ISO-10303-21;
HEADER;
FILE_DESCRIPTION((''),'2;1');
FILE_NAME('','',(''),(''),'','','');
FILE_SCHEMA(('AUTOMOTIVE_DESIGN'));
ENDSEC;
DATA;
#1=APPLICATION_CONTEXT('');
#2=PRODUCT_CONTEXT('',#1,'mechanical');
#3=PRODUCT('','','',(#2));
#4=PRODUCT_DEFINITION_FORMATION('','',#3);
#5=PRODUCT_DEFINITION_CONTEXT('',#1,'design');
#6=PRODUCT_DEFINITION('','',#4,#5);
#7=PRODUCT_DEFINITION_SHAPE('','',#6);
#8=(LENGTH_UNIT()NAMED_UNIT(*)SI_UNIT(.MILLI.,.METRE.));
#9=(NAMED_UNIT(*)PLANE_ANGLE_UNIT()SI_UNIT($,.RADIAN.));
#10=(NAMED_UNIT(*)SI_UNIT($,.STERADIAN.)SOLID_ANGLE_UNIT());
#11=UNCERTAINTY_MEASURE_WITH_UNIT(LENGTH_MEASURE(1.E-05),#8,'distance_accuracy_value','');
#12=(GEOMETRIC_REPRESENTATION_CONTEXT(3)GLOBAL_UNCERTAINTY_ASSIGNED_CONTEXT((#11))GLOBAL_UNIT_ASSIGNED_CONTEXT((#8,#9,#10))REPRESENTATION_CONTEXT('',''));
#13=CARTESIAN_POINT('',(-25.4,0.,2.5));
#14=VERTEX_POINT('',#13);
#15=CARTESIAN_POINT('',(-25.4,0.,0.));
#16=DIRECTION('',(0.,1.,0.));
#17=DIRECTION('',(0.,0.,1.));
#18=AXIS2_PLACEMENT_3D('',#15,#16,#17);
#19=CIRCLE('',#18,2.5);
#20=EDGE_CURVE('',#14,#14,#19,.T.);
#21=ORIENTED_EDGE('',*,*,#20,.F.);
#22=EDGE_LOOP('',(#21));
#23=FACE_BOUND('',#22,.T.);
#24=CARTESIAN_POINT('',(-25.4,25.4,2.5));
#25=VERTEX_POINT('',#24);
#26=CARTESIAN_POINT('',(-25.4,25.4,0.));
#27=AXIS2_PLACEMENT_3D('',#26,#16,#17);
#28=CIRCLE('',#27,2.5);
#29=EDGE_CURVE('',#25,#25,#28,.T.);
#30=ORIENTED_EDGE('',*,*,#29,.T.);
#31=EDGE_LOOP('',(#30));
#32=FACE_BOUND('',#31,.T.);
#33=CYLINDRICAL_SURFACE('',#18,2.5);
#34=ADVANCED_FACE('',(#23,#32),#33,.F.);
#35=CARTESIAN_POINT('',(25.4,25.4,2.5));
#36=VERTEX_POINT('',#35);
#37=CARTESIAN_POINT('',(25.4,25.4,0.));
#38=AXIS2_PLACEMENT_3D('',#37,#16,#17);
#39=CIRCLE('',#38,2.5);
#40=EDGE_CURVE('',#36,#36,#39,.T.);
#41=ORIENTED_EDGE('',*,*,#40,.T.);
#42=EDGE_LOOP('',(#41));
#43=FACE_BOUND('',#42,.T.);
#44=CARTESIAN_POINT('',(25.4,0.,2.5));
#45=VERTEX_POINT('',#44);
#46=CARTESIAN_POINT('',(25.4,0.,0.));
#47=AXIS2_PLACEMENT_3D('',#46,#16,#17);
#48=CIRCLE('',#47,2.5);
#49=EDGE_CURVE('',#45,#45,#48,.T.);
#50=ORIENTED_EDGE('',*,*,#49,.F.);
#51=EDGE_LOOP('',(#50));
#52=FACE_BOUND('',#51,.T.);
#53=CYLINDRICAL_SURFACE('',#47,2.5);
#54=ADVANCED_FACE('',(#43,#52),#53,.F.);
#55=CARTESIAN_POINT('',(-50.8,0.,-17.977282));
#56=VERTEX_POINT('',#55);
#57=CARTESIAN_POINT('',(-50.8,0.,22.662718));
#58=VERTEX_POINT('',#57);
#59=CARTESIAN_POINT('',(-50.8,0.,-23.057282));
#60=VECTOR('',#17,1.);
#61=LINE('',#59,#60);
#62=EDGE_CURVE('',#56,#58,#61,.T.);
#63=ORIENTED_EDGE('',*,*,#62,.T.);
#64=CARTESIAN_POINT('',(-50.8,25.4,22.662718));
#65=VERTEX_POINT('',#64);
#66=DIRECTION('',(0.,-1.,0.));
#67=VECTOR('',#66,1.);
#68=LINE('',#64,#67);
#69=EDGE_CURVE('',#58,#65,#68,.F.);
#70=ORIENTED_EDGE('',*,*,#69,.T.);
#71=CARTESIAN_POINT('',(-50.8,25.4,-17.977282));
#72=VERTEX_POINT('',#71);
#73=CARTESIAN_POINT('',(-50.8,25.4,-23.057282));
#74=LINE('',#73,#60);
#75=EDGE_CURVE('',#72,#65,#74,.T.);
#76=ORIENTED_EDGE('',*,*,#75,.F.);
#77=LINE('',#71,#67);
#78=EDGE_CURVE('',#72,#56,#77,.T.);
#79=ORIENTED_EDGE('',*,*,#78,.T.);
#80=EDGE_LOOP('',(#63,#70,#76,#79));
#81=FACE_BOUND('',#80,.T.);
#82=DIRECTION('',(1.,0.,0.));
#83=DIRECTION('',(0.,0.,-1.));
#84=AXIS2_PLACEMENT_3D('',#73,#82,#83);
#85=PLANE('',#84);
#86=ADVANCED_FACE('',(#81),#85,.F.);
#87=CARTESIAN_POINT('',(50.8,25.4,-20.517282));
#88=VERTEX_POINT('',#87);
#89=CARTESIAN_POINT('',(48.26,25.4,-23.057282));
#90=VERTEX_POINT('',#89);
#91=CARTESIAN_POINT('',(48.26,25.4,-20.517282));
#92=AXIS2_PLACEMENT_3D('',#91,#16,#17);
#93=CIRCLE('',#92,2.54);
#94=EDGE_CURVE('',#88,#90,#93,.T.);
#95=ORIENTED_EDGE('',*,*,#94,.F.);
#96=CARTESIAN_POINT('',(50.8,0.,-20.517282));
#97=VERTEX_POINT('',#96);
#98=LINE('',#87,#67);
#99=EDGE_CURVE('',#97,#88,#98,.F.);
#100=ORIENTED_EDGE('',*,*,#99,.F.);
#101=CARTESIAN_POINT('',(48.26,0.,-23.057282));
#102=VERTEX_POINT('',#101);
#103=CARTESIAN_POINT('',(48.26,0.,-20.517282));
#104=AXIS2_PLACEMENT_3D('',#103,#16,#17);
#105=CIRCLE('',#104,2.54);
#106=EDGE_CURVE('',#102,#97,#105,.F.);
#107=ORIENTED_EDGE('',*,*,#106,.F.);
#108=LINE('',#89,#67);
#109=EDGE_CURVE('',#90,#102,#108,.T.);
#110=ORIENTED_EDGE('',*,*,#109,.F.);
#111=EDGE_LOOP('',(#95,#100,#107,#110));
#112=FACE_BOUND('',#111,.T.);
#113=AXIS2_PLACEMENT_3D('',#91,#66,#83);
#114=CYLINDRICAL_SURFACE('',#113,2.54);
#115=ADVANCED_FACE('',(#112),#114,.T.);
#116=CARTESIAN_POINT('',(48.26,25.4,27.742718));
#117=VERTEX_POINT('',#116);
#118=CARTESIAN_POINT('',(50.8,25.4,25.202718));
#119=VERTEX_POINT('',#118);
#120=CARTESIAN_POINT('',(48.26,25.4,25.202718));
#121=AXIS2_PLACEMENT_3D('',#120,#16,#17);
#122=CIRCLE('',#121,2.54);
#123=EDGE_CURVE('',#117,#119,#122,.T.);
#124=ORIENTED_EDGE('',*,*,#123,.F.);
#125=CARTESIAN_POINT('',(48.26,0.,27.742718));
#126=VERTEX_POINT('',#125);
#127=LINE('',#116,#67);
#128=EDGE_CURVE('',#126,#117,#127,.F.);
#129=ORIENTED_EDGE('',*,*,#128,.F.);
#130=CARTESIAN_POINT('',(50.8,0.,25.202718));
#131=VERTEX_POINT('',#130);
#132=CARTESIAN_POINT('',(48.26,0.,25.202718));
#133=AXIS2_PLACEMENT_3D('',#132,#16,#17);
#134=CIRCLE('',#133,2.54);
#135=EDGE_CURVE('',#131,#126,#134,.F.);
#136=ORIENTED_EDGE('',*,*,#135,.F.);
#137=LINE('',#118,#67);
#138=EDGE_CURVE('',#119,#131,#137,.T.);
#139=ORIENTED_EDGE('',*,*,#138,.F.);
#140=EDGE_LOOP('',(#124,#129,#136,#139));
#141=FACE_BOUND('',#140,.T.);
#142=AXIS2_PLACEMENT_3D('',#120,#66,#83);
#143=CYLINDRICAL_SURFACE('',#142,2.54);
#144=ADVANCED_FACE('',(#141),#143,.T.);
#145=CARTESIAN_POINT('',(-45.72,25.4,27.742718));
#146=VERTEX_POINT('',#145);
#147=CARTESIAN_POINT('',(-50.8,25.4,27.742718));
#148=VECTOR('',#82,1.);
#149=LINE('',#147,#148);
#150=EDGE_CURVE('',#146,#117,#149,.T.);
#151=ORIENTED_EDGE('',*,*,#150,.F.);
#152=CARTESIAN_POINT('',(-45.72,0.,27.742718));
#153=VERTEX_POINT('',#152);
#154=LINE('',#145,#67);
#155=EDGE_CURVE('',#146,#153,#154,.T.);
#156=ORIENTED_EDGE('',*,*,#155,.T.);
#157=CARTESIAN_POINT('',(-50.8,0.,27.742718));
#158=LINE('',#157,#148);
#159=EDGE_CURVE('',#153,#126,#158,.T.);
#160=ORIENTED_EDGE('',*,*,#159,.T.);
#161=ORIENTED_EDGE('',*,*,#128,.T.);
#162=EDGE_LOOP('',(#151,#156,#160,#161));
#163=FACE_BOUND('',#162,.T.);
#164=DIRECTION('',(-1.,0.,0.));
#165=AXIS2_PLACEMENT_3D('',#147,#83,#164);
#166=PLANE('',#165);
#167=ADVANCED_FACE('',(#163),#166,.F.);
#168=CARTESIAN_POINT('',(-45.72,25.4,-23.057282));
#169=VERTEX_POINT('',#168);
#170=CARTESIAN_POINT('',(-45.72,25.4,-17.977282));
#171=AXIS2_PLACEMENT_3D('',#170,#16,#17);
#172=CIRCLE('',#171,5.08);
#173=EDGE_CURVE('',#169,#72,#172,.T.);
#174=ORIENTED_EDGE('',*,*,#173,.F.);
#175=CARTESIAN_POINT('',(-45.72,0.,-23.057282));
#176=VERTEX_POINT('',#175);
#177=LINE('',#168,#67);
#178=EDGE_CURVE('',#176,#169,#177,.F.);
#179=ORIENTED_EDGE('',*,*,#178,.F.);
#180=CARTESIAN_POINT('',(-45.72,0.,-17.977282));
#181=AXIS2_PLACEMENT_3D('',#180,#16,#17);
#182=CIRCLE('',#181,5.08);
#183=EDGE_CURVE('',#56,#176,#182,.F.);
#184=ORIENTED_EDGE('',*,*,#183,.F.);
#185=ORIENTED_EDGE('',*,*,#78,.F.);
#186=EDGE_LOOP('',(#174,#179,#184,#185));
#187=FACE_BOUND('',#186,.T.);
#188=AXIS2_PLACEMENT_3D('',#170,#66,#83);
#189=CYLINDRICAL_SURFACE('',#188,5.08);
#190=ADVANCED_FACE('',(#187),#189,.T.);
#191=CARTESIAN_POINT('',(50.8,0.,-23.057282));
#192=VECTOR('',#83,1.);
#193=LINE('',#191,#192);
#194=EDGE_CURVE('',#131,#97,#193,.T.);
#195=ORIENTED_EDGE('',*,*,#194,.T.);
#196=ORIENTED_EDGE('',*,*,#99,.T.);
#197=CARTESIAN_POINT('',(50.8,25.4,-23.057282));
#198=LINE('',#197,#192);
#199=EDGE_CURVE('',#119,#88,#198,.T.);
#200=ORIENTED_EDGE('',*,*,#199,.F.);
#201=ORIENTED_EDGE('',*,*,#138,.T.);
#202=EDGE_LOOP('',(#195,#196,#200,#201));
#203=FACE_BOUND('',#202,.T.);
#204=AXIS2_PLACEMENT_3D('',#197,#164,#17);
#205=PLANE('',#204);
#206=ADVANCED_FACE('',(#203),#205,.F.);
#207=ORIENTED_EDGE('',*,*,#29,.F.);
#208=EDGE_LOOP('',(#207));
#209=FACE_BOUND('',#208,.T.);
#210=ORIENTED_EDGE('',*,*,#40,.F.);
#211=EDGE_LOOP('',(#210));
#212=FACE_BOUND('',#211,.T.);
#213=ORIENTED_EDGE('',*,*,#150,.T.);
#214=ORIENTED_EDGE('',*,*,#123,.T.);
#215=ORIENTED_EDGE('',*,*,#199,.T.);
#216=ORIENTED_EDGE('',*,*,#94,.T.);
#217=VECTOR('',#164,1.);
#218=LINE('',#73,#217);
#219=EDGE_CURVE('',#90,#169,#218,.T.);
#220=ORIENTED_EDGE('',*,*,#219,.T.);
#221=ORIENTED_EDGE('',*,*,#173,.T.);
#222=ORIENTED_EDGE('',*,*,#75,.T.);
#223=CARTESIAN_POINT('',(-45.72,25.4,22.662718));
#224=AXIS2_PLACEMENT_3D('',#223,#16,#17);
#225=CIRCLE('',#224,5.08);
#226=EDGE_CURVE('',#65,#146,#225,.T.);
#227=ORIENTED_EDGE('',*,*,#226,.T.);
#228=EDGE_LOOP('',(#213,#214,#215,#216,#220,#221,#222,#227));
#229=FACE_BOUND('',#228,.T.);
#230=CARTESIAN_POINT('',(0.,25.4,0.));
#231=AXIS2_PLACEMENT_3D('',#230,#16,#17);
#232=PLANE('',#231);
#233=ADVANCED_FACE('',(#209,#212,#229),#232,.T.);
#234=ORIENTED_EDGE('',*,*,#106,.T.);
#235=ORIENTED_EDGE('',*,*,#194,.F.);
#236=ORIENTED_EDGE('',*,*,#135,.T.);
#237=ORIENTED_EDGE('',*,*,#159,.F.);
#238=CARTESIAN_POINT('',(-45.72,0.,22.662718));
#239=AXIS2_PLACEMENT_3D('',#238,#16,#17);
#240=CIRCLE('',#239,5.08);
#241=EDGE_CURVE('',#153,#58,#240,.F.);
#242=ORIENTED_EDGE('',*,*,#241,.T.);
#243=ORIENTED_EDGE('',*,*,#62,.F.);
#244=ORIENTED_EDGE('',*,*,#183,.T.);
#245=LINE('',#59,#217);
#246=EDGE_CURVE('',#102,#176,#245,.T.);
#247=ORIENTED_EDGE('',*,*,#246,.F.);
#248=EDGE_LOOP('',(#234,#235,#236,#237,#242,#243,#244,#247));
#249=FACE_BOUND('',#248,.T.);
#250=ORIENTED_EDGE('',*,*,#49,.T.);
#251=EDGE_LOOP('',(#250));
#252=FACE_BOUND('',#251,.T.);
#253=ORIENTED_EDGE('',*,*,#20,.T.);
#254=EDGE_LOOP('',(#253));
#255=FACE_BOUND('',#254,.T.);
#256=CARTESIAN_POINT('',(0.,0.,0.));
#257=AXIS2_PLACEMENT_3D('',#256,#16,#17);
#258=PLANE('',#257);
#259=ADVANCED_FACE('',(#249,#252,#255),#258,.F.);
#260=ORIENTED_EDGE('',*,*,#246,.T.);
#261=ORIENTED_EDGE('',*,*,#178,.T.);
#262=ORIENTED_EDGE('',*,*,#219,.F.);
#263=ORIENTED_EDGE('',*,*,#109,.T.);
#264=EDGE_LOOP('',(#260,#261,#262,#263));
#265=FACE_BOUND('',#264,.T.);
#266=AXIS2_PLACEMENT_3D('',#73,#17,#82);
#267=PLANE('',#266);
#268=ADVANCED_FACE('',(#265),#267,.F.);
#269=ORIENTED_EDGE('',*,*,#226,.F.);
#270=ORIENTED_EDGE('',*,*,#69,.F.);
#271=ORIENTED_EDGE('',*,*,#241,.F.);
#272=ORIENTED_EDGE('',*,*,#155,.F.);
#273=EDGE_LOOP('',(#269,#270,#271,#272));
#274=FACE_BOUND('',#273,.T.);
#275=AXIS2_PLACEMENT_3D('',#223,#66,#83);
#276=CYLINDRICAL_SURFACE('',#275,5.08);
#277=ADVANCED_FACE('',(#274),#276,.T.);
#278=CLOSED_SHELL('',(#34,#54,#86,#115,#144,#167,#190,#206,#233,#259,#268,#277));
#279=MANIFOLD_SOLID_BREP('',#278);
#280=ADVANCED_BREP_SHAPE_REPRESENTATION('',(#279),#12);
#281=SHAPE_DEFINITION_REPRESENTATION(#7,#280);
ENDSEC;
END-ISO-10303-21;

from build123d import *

# Parameters (mm, degrees)
SKETCH1_W           = 101.6
SKETCH1_H           = 50.8
BOSS_EXTRUDE1_DEPTH = 25.4
FILLET1_R           = 5.08
FILLET2_R           = 2.54
SKETCH2_R           = 2.5
CUT_EXTRUDE1_DEPTH  = 25.4


with BuildPart() as part:
    # Sketch1 → Boss-Extrude1 (new body)
    with BuildSketch(Plane(origin=(0, 0, 0), x_dir=(1, 0, 0), z_dir=(0, 1, 0))):
        with Locations((0, -2.342718447)):
            Rectangle(SKETCH1_W, SKETCH1_H)
    extrude(amount=BOSS_EXTRUDE1_DEPTH)

    # Fillet1
    fillet1_edges = [part.edges().sort_by_distance(p)[0] for p in [
        (-50.8, 12.7, -23.057281553),
        (-50.8, 12.7, 27.742718447),
    ]]
    fillet(fillet1_edges, radius=FILLET1_R)

    # Fillet2
    fillet2_edges = [part.edges().sort_by_distance(p)[0] for p in [
        (50.8, 12.7, -23.057281553),
        (50.8, 12.7, 27.742718447),
    ]]
    fillet(fillet2_edges, radius=FILLET2_R)

    # Sketch2 → Cut-Extrude1 (cut)
    with BuildSketch(Plane(origin=(0, 25.4, 0), x_dir=(1, 0, 0), z_dir=(0, 1, 0))):
        with Locations(Location((-25.4, 0, 0), (0, 0, 270))):
            Circle(SKETCH2_R)
        with Locations(Location((25.4, 0, 0), (0, 0, 270))):
            Circle(SKETCH2_R)
    extrude(amount=-CUT_EXTRUDE1_DEPTH, mode=Mode.SUBTRACT)


solid = part.part
